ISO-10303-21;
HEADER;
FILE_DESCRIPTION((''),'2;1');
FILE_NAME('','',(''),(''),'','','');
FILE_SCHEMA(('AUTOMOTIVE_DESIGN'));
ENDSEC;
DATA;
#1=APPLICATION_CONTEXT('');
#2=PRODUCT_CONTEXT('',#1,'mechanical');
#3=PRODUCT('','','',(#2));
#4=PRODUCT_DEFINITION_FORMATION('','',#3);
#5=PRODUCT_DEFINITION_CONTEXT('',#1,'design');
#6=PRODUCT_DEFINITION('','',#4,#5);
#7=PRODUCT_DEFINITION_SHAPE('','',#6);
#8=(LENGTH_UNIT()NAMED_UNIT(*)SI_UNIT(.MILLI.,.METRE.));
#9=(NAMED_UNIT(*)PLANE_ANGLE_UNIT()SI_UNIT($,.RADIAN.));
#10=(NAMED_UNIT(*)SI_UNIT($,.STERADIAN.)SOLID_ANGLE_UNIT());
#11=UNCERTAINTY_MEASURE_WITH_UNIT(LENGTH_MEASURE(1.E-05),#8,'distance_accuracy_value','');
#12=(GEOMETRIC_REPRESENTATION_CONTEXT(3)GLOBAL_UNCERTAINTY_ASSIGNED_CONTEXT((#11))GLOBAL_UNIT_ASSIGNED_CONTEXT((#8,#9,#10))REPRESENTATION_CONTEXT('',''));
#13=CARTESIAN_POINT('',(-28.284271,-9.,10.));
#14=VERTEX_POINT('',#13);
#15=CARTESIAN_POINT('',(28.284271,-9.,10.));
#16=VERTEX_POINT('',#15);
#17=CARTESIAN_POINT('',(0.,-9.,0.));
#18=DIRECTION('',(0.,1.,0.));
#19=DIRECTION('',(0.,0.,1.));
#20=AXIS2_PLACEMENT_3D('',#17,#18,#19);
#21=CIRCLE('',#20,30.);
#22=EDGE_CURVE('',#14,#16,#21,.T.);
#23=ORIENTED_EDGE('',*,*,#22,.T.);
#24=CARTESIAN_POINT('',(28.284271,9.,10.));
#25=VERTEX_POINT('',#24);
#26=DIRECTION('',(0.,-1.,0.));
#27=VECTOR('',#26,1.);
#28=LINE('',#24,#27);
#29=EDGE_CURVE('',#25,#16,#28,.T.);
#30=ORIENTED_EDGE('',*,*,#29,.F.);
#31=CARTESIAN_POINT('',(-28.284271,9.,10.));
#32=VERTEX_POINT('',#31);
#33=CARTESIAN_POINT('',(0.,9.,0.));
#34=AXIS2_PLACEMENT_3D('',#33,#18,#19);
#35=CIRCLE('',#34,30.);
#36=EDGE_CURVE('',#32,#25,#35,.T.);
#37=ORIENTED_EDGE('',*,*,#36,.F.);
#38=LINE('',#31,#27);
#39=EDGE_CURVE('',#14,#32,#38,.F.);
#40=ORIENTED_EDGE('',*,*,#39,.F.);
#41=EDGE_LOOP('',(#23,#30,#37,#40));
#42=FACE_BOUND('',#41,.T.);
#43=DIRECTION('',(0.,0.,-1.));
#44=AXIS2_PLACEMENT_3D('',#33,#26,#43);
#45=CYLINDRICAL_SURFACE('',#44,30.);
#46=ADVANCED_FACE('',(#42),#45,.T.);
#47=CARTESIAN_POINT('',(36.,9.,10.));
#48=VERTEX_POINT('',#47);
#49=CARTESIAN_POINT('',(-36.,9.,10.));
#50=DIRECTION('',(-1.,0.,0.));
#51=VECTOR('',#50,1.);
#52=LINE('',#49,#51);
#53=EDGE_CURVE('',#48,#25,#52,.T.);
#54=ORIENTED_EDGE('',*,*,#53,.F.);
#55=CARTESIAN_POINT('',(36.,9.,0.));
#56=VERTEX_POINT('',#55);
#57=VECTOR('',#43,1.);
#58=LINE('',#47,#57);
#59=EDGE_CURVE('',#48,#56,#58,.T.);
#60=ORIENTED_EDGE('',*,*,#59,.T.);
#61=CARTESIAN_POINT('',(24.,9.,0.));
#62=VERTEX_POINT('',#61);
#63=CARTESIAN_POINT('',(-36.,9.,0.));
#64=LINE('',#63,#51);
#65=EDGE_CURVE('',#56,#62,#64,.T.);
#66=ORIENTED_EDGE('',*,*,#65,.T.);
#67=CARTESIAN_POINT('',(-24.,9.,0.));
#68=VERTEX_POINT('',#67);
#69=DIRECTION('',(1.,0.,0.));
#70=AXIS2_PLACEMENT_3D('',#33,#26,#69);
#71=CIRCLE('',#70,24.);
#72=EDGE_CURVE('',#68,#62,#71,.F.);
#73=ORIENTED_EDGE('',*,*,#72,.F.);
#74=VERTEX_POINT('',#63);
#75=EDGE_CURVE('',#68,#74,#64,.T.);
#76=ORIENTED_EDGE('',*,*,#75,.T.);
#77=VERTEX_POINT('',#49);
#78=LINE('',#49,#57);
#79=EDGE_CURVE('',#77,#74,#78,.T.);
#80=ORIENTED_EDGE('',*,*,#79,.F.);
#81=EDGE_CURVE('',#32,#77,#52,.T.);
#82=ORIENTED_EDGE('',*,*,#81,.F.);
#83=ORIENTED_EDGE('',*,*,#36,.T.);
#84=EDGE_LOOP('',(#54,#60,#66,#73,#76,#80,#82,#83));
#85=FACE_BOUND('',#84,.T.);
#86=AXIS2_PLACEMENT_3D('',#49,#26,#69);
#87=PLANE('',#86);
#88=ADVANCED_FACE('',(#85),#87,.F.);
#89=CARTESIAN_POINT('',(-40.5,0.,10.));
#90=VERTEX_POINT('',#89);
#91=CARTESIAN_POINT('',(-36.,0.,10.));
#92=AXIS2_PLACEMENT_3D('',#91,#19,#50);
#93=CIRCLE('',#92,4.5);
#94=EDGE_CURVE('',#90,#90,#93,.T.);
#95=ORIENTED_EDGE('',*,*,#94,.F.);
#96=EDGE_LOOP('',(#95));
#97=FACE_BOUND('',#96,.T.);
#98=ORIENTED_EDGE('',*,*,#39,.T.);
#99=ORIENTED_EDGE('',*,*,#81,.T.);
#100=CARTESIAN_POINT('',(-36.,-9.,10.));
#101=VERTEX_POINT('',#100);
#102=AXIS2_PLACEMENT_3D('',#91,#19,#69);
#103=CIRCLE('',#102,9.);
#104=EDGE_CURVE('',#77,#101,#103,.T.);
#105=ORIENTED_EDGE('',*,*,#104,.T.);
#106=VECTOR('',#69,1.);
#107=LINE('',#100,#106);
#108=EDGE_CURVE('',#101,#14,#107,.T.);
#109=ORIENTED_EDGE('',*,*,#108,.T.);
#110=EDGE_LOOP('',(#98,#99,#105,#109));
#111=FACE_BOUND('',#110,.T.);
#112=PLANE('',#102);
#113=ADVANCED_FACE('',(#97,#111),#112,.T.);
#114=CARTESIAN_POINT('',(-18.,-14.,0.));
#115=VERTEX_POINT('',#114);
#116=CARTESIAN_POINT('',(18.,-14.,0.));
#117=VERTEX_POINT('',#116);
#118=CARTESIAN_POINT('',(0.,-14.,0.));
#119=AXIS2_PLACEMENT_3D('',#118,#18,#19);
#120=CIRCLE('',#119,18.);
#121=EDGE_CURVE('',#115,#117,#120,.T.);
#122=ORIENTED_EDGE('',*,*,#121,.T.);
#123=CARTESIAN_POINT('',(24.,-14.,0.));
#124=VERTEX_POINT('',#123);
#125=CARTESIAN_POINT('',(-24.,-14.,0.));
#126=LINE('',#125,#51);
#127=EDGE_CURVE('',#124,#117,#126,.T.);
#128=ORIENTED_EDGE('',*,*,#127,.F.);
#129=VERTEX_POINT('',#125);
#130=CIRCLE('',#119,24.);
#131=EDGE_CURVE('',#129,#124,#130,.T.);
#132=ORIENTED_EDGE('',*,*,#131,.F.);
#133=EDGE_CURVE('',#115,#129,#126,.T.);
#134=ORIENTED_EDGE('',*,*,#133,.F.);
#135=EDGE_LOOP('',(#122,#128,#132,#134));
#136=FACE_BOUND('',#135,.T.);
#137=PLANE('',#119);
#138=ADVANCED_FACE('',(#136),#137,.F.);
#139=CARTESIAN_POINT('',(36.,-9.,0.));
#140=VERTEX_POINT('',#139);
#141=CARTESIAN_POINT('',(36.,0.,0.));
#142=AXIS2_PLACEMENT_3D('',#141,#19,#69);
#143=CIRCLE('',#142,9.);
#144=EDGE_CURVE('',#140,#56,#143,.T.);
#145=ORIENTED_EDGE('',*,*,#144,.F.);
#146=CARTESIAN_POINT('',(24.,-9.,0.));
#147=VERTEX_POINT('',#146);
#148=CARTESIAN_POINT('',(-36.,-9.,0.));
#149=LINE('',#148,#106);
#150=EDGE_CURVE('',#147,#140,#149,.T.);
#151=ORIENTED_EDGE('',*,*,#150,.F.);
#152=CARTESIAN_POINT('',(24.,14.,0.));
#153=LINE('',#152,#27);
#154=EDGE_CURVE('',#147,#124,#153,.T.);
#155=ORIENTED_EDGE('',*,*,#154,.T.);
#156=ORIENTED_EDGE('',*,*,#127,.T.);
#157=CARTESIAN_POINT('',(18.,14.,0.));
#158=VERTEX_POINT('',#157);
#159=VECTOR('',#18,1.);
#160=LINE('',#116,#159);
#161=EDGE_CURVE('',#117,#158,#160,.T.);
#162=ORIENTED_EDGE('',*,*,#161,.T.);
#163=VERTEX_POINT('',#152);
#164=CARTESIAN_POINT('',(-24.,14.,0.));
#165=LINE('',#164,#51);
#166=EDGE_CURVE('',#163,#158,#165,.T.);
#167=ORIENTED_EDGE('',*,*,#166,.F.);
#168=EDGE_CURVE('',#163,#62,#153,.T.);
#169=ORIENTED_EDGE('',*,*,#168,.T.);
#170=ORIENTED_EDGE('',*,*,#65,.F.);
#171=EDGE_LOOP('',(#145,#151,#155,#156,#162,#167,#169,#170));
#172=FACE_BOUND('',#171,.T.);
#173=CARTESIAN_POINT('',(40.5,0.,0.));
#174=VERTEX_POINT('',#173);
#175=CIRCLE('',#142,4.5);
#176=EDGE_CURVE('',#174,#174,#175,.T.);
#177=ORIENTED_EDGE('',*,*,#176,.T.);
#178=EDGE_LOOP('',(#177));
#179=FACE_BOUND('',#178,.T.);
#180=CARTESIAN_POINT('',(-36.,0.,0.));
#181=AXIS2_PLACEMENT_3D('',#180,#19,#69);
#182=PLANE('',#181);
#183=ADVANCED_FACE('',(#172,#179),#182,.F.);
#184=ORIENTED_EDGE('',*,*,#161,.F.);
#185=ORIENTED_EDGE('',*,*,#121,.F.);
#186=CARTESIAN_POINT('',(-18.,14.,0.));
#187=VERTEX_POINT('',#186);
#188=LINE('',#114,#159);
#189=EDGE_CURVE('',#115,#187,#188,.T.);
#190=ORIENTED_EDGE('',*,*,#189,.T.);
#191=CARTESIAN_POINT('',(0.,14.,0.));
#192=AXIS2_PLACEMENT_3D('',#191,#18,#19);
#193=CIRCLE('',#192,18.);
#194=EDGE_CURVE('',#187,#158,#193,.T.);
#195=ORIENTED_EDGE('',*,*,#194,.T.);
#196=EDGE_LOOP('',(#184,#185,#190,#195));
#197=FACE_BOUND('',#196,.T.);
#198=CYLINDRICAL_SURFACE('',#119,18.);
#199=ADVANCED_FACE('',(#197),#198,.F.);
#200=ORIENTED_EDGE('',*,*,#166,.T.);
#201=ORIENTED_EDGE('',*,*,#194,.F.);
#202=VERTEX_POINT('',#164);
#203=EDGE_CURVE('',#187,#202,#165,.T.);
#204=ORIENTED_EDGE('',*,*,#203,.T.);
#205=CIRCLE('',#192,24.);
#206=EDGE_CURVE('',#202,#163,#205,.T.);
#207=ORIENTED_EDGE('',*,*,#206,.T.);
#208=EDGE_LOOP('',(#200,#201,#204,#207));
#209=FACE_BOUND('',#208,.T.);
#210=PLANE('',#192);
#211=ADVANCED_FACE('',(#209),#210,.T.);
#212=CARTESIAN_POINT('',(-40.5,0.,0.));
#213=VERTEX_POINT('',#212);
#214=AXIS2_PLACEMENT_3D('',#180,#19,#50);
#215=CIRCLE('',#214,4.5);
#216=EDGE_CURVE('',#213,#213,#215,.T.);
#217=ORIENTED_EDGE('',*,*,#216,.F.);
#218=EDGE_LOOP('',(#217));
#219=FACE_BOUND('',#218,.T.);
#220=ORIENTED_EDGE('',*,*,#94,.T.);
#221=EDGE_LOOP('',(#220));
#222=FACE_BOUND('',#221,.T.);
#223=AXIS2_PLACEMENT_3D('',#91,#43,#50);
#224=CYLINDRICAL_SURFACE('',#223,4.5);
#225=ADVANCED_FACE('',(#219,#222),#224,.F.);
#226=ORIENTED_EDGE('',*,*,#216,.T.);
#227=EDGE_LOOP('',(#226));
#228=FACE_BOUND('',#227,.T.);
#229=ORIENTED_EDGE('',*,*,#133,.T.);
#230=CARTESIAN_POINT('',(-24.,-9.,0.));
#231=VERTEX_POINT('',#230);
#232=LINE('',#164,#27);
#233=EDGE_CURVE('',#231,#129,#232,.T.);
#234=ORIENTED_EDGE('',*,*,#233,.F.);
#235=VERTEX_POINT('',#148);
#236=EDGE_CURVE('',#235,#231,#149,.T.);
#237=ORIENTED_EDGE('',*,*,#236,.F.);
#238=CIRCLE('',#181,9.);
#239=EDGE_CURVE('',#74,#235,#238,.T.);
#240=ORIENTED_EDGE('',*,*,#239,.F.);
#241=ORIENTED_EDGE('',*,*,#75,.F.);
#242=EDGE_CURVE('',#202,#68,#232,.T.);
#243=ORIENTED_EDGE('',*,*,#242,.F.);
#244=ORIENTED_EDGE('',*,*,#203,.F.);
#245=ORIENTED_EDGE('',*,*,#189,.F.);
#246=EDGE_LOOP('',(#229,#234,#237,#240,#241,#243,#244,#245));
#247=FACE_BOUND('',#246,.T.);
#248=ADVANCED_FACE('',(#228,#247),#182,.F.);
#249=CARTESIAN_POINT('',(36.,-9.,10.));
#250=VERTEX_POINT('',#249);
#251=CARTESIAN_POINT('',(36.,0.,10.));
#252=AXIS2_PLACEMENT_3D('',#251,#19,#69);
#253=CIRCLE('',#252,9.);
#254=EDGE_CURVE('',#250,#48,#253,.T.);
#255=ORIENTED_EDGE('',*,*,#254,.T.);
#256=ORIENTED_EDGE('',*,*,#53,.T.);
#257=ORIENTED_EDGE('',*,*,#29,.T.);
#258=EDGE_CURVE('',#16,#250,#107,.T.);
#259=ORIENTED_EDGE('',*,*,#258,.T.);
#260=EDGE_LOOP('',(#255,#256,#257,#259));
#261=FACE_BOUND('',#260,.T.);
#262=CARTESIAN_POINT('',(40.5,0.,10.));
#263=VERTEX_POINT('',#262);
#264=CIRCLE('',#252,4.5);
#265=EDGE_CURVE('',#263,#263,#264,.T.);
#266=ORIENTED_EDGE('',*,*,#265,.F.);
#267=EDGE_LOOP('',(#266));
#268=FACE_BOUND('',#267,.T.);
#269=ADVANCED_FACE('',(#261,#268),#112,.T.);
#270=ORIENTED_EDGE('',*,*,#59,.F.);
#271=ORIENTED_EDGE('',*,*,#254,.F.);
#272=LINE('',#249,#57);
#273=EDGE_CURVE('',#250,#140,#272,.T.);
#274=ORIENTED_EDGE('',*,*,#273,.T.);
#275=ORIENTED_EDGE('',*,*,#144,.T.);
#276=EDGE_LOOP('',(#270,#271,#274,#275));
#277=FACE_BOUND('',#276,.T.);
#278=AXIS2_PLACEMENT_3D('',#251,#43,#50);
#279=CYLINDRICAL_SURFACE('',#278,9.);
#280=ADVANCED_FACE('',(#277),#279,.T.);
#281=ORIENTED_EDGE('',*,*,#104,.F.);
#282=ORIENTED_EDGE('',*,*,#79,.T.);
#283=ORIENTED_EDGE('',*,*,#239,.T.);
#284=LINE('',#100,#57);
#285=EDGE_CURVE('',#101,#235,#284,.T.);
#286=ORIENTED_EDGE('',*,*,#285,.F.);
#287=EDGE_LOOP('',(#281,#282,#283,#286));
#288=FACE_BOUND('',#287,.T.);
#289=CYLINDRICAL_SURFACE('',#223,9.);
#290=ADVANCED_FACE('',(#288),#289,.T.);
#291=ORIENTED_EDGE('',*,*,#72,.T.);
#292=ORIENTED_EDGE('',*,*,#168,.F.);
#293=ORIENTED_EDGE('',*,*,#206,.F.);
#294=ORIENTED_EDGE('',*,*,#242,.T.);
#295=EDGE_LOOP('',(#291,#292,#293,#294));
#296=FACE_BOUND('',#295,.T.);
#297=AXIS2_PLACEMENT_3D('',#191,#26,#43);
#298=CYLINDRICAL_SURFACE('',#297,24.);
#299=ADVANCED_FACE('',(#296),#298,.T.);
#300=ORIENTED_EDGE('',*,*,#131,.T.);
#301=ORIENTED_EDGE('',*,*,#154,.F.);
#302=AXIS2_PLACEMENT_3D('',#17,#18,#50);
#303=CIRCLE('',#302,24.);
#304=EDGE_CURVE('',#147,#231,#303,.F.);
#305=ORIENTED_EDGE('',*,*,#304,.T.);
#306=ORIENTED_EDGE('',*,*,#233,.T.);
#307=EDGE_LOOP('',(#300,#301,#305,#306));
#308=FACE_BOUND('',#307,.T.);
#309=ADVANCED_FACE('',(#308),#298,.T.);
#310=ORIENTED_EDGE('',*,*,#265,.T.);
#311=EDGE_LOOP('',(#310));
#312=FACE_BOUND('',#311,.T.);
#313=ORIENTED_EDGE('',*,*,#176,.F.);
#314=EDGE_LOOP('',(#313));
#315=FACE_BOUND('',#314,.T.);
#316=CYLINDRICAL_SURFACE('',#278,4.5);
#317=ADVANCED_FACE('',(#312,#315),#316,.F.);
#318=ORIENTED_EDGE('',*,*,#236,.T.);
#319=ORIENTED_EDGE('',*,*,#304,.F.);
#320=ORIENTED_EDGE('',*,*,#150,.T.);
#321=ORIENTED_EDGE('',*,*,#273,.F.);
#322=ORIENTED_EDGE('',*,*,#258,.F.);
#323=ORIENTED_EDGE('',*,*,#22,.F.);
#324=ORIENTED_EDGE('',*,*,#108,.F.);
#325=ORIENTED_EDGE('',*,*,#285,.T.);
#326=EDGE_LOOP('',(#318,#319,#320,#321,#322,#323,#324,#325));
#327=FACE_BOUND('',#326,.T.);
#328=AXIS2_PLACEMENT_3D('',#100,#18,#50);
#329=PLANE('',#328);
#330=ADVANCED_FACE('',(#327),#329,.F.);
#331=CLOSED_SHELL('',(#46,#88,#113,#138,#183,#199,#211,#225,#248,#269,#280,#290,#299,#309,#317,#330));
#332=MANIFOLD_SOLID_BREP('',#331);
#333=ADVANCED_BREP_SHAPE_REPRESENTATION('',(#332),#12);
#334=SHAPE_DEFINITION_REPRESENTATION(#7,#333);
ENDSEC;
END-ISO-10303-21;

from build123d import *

# Parameters (mm, degrees)
SKETCH_1_R          = 4.5
EXTRUDE_1_DEPTH     = 10
EXTRUDE_2_DEPTH     = 9
EXTRUDE_3_DEPTH     = 14
CUT_EXTRUDE_1_DEPTH = 29


with BuildPart() as part:
    # 草圖1 → 填料-伸長1 (new body)
    with BuildSketch(Plane.XY):
        with BuildLine():
            Line((-36, 9), (36, 9))
            ThreePointArc((36, 9), (45, 0), (36, -9))
            Line((36, -9), (-36, -9))
            ThreePointArc((-36, -9), (-45, 0), (-36, 9))
        make_face()
        with Locations((36, 0)):
            Circle(SKETCH_1_R, mode=Mode.SUBTRACT)
        with Locations((-36, 0)):
            Circle(SKETCH_1_R, mode=Mode.SUBTRACT)
    extrude(amount=EXTRUDE_1_DEPTH)

    # 草圖3 → 填料-伸長2 (add, symmetric)
    with BuildSketch(Plane(origin=(0, 0, 0), x_dir=(1, 0, 0), z_dir=(0, 1, 0))):
        with BuildLine():
            Line((-30, 0), (30, 0))
            ThreePointArc((30, 0), (0, -30), (-30, 0))
        make_face()
    extrude(amount=EXTRUDE_2_DEPTH, both=True)

    # 草圖4 → 填料-伸長3 (add, symmetric)
    with BuildSketch(Plane(origin=(0, 0, 0), x_dir=(1, 0, 0), z_dir=(0, 1, 0))):
        with BuildLine():
            Line((-24, 0), (24, 0))
            ThreePointArc((24, 0), (0, -24), (-24, 0))
        make_face()
    extrude(amount=EXTRUDE_3_DEPTH, both=True)

    # 草圖5 → 除料-伸長1 (cut, through all)
    with BuildSketch(Plane(origin=(0, 14, 0), x_dir=(1, 0, 0), z_dir=(0, 1, 0))):
        with BuildLine():
            Line((-18, 0), (18, 0))
            ThreePointArc((18, 0), (0, -18), (-18, 0))
        make_face()
    extrude(amount=-CUT_EXTRUDE_1_DEPTH, mode=Mode.SUBTRACT)


solid = part.part
